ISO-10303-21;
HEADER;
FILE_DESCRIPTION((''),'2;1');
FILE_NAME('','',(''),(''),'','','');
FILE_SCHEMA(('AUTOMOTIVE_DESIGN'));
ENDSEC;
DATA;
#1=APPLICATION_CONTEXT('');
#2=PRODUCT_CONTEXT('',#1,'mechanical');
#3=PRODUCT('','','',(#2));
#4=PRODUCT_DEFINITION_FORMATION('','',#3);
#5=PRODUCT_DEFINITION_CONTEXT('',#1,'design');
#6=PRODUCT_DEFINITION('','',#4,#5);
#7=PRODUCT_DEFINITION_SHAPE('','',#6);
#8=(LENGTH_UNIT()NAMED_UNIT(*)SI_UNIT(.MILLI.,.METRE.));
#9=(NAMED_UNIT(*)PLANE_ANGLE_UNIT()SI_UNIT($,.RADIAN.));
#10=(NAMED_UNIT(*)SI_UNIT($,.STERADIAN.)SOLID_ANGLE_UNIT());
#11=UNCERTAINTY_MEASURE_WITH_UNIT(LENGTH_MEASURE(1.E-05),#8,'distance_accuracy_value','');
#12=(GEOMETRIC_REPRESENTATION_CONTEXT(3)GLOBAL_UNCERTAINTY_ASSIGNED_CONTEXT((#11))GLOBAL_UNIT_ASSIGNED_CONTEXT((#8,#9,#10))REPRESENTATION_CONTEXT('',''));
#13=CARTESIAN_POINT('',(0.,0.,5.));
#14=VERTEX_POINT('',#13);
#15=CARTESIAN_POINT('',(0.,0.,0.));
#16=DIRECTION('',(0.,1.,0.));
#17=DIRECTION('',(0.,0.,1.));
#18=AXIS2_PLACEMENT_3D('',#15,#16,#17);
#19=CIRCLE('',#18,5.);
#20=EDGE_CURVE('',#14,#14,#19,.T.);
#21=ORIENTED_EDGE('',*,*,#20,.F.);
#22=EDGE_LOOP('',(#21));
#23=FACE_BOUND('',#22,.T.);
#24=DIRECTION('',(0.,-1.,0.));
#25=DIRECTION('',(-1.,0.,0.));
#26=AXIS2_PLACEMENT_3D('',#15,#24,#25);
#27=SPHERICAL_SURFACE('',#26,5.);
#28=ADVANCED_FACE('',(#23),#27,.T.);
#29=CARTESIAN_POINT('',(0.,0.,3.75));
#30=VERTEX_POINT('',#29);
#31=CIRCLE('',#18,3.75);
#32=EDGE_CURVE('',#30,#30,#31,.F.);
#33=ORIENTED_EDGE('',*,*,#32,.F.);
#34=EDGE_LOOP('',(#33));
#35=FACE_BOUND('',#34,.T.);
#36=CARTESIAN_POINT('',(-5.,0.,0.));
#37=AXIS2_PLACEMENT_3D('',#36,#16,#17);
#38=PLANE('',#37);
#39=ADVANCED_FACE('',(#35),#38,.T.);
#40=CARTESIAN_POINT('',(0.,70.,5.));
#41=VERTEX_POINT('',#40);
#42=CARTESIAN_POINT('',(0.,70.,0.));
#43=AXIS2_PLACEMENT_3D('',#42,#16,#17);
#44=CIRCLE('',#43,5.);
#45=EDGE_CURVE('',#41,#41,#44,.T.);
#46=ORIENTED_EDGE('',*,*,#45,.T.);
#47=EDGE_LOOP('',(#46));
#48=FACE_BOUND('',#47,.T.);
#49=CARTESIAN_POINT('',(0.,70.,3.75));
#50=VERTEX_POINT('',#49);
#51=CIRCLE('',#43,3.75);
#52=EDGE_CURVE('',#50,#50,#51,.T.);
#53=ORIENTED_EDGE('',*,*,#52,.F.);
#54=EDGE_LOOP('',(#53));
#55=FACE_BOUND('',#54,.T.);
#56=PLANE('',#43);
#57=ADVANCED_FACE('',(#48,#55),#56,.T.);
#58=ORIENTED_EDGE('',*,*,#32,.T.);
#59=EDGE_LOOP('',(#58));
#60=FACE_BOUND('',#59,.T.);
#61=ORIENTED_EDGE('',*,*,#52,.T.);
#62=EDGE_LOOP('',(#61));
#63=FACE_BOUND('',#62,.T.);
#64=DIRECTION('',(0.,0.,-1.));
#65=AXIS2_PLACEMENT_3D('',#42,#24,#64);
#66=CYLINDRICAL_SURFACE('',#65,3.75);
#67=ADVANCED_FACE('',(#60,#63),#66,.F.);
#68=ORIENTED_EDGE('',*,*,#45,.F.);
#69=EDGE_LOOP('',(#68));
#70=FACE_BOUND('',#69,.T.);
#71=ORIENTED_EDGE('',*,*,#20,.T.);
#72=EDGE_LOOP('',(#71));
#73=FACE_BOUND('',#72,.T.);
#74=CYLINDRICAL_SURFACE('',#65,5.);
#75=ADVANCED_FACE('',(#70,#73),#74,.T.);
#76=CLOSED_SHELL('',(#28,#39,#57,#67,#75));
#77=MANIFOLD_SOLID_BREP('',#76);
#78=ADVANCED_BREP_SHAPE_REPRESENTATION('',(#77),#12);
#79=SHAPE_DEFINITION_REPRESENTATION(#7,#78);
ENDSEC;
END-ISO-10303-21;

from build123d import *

# Parameters (mm, degrees)
SKETCH3_R           = 5
SKETCH3_R_2         = 3.75
BOSS_EXTRUDE1_DEPTH = 70


with BuildPart() as part:
    # Sketch2 → Revolve1 (revolve)
    with BuildSketch(Plane.XY):
        with BuildLine():
            Line((-5, 0), (0, 0))
            Line((0, 0), (0, -5))
            ThreePointArc((0, -5), (-3.535533906, -3.535533906), (-5, 0))
        make_face()
    revolve(axis=Axis((0, 0, 0), (0, 1, 0)))

    # Sketch3 → Boss-Extrude1 (add)
    with BuildSketch(Plane(origin=(0, 0, 0), x_dir=(1, 0, 0), z_dir=(0, 1, 0))):
        with Locations(Location((0, 0, 0), (0, 0, 270))):
            Circle(SKETCH3_R)
        with Locations(Location((0, 0, 0), (0, 0, 270))):
            Circle(SKETCH3_R_2, mode=Mode.SUBTRACT)
    extrude(amount=BOSS_EXTRUDE1_DEPTH)


solid = part.part
